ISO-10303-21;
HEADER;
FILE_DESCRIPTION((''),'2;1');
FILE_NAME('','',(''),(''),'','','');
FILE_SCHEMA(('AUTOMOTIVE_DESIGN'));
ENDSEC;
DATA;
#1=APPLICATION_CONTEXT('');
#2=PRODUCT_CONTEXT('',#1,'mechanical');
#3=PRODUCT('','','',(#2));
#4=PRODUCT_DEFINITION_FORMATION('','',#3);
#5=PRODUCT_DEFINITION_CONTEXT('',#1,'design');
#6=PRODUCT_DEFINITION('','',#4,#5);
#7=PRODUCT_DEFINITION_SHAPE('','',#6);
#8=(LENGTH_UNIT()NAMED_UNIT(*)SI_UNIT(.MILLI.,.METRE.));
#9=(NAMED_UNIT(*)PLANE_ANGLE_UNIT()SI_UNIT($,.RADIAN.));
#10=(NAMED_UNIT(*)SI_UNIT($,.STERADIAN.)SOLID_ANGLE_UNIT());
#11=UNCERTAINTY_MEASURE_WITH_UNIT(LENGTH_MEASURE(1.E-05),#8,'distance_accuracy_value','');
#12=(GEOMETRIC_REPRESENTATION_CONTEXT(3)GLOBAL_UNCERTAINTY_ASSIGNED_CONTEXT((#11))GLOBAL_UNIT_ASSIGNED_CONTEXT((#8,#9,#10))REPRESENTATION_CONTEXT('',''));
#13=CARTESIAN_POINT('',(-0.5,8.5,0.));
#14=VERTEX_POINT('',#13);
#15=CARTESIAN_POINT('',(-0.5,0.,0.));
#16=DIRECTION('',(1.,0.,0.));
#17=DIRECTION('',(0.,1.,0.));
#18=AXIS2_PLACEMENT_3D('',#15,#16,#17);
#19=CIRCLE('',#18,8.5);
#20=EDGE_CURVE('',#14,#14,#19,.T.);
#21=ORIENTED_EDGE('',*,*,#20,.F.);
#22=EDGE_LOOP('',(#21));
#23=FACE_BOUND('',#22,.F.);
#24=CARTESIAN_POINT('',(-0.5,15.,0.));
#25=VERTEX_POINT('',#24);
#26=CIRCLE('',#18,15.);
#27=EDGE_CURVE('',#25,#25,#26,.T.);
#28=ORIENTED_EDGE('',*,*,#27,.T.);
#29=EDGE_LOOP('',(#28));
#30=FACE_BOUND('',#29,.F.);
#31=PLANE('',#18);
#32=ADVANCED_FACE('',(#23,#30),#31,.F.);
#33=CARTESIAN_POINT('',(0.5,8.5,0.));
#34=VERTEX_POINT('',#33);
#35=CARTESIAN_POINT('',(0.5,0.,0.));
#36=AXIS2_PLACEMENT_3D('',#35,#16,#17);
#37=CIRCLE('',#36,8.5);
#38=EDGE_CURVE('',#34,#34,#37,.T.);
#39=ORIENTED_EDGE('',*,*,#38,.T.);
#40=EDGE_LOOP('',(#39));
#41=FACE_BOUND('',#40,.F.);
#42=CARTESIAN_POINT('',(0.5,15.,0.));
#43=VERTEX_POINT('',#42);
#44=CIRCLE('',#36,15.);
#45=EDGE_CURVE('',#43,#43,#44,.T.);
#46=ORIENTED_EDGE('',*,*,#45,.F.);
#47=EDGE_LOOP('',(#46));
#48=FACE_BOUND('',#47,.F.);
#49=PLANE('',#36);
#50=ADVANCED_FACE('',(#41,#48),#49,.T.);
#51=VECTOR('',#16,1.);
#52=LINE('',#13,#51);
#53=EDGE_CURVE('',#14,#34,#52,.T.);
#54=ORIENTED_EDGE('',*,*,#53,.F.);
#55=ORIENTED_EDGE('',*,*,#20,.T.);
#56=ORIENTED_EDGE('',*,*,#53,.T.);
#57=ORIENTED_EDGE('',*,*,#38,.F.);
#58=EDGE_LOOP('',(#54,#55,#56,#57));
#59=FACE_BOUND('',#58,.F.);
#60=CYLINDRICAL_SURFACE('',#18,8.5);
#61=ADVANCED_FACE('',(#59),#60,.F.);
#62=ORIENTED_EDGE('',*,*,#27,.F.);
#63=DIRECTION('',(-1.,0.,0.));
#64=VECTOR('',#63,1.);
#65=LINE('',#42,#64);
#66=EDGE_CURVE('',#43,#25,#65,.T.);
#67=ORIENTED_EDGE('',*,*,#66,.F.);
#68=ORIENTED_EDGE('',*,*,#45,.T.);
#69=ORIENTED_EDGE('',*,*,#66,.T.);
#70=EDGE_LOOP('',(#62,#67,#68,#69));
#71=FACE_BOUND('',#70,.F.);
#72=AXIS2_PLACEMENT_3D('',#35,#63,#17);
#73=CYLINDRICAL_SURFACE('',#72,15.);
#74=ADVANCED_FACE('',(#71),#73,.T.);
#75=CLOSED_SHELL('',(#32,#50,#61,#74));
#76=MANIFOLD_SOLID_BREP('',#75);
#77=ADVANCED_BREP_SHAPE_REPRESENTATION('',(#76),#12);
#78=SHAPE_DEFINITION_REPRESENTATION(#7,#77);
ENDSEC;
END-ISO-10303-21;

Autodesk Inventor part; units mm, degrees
sketch "Sketch_1" plane through (0, 0, 0) normal (0, 0, 1) x (1, 0, 0)
  line L0 (50, 0) -> (-50, 0)
  line L1 (-0.5, 15) -> (-0.5, 8.5)
  line L2 (-0.5, 8.5) -> (0.5, 8.5)
  line L3 (0.5, 8.5) -> (0.5, 15)
  line L4 (0.5, 15) -> (-0.5, 15)
revolve "Revolution1" add sketch "Sketch_1" angle 360 about axis through (50, 0, 0) along (1, 0, 0)
ref_plane "washer1_XY" through (0, 0, 0) normal (1, 0, 0) x (0, 0, -1)
ref_plane "washer1_YZ" through (0, 0, 0) normal (0, 0, -1) x (0, 1, 0)
ref_plane "washer1_ZX" through (0, 0, 0) normal (0, 1, 0) x (1, 0, 0)
ref_plane "washer2_XY" through (0, 0, 0) normal (1, 0, 0) x (0, 0, -1)
ref_plane "washer2_YZ" through (0, 0, 0) normal (0, 0, -1) x (0, 1, 0)
ref_plane "washer2_ZX" through (0, 0, 0) normal (0, 1, 0) x (1, 0, 0)
properties part number "washer_BA1730"
